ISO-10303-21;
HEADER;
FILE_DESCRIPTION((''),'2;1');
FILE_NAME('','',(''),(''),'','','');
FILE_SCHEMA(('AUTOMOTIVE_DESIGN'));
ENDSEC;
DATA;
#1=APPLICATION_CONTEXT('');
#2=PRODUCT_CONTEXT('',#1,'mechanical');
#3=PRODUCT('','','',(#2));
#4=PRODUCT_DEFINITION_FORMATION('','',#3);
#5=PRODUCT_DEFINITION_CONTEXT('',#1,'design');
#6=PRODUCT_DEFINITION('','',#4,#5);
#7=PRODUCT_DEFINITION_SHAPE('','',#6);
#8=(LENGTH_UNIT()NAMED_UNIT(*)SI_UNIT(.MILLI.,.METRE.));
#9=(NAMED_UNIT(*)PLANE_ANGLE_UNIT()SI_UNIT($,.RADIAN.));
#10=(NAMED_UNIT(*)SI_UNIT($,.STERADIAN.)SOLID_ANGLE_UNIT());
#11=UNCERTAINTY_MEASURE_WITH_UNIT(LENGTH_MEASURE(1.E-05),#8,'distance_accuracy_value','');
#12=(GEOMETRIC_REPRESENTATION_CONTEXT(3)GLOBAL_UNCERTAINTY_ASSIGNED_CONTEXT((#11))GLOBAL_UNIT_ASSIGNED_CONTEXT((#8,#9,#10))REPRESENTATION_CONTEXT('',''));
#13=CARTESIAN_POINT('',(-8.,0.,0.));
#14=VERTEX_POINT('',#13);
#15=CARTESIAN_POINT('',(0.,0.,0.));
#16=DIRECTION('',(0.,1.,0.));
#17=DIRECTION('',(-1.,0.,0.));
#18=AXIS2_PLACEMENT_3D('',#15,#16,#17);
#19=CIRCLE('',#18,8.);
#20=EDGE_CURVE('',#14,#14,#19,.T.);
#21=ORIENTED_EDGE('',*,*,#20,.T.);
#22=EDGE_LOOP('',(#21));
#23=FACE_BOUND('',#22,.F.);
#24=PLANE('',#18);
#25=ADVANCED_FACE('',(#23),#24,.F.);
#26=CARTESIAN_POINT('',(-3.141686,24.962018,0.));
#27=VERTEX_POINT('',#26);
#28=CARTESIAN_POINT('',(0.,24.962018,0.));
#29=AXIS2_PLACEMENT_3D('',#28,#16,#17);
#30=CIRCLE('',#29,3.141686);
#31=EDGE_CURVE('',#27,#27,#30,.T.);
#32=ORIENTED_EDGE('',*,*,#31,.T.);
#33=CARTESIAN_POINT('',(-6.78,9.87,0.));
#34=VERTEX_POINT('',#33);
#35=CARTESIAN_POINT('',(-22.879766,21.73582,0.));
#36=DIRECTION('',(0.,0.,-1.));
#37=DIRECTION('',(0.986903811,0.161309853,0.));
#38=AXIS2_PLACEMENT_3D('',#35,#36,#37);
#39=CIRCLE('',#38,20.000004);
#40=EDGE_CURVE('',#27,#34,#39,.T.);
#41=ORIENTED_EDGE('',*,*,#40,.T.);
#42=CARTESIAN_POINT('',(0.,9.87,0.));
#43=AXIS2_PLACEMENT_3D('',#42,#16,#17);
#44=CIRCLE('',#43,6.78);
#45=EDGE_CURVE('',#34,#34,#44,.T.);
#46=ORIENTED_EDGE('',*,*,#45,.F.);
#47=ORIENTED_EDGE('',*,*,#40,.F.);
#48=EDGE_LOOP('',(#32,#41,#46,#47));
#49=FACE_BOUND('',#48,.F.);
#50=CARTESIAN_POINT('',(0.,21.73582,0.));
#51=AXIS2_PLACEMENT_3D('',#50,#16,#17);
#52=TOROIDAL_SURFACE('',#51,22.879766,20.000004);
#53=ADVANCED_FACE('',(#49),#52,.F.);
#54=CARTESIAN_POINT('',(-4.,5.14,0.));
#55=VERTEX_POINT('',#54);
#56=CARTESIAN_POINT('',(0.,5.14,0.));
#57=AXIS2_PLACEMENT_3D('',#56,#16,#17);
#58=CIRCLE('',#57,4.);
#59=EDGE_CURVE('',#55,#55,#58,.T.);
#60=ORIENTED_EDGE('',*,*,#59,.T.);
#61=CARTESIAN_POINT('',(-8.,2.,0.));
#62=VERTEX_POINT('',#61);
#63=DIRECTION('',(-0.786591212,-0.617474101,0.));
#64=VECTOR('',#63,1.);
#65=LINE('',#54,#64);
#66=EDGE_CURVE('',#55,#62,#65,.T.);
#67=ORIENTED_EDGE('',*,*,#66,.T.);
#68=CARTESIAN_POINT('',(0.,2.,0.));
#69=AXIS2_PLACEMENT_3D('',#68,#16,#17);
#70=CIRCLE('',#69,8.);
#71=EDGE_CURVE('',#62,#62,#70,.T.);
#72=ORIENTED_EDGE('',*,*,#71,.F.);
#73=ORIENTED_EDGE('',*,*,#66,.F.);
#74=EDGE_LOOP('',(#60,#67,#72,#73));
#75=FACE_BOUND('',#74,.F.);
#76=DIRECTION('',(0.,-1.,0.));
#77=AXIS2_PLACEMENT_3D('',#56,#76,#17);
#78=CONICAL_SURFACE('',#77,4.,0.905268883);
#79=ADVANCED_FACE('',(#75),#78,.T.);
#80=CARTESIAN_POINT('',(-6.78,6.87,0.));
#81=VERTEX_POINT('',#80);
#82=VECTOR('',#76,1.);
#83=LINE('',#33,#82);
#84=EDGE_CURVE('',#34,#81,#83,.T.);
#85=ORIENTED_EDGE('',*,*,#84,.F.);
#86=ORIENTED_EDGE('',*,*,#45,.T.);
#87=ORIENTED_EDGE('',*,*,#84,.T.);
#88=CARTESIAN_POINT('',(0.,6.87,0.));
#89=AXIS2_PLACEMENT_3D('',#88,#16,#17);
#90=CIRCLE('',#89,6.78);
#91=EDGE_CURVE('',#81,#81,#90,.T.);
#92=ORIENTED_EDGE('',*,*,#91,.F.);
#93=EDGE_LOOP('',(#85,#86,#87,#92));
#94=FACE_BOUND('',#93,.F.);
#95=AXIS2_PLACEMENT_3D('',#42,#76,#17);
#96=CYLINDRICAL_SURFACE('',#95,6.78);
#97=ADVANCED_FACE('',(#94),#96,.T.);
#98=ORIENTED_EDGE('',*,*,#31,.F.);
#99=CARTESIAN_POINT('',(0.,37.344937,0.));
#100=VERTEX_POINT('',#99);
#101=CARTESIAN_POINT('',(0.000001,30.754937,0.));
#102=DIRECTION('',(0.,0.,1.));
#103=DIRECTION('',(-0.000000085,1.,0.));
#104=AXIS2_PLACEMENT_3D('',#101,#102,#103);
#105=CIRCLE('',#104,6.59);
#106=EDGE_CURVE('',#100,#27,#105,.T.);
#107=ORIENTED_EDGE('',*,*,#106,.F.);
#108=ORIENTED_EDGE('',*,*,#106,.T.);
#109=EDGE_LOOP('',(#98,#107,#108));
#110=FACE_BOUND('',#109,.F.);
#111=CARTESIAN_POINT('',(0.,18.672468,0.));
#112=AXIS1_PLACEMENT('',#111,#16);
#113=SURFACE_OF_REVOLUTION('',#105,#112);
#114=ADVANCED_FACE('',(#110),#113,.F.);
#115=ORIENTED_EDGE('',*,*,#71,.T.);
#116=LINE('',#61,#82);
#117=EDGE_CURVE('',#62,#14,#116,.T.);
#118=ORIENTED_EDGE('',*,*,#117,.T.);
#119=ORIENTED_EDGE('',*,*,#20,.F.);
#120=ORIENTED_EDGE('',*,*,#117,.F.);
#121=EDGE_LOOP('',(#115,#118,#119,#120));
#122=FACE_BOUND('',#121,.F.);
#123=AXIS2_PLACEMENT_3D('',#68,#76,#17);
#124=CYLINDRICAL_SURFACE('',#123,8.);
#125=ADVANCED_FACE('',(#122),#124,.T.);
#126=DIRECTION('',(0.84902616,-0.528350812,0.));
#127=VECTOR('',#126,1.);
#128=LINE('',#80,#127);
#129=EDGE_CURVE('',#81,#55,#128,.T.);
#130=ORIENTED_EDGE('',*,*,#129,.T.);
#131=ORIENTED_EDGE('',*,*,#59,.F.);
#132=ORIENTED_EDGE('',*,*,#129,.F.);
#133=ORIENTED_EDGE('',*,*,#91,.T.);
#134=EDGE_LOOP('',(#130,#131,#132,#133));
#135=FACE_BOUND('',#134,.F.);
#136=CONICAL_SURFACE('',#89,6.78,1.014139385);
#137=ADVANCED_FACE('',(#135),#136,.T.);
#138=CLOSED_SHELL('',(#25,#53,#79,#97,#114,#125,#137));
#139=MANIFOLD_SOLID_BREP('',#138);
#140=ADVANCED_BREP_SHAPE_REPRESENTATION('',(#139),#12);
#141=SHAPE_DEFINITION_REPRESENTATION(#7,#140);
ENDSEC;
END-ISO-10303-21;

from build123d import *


with BuildPart() as f1:
    # F0 (on Top) → F1 (revolve)
    with BuildSketch(Plane.XY):
        with BuildLine():
            Line((-8, 0), (0, 0))
            Line((0, 0), (0, 37.344937))
            ThreePointArc((0, 37.344937), (-6.387622, 32.375548), (-3.141686, 24.962018))
            ThreePointArc((-3.141686, 24.962018), (-3.436771, 17.048593), (-6.78, 9.87))
            Line((-6.78, 9.87), (-6.78, 6.87))
            Line((-6.78, 6.87), (-4, 5.14))
            Line((-4, 5.14), (-8, 2))
            Line((-8, 2), (-8, 0))
        make_face()
    revolve(axis=Axis((0, 18.672468, 0), (0, 1, 0)))


solid = f1.part
